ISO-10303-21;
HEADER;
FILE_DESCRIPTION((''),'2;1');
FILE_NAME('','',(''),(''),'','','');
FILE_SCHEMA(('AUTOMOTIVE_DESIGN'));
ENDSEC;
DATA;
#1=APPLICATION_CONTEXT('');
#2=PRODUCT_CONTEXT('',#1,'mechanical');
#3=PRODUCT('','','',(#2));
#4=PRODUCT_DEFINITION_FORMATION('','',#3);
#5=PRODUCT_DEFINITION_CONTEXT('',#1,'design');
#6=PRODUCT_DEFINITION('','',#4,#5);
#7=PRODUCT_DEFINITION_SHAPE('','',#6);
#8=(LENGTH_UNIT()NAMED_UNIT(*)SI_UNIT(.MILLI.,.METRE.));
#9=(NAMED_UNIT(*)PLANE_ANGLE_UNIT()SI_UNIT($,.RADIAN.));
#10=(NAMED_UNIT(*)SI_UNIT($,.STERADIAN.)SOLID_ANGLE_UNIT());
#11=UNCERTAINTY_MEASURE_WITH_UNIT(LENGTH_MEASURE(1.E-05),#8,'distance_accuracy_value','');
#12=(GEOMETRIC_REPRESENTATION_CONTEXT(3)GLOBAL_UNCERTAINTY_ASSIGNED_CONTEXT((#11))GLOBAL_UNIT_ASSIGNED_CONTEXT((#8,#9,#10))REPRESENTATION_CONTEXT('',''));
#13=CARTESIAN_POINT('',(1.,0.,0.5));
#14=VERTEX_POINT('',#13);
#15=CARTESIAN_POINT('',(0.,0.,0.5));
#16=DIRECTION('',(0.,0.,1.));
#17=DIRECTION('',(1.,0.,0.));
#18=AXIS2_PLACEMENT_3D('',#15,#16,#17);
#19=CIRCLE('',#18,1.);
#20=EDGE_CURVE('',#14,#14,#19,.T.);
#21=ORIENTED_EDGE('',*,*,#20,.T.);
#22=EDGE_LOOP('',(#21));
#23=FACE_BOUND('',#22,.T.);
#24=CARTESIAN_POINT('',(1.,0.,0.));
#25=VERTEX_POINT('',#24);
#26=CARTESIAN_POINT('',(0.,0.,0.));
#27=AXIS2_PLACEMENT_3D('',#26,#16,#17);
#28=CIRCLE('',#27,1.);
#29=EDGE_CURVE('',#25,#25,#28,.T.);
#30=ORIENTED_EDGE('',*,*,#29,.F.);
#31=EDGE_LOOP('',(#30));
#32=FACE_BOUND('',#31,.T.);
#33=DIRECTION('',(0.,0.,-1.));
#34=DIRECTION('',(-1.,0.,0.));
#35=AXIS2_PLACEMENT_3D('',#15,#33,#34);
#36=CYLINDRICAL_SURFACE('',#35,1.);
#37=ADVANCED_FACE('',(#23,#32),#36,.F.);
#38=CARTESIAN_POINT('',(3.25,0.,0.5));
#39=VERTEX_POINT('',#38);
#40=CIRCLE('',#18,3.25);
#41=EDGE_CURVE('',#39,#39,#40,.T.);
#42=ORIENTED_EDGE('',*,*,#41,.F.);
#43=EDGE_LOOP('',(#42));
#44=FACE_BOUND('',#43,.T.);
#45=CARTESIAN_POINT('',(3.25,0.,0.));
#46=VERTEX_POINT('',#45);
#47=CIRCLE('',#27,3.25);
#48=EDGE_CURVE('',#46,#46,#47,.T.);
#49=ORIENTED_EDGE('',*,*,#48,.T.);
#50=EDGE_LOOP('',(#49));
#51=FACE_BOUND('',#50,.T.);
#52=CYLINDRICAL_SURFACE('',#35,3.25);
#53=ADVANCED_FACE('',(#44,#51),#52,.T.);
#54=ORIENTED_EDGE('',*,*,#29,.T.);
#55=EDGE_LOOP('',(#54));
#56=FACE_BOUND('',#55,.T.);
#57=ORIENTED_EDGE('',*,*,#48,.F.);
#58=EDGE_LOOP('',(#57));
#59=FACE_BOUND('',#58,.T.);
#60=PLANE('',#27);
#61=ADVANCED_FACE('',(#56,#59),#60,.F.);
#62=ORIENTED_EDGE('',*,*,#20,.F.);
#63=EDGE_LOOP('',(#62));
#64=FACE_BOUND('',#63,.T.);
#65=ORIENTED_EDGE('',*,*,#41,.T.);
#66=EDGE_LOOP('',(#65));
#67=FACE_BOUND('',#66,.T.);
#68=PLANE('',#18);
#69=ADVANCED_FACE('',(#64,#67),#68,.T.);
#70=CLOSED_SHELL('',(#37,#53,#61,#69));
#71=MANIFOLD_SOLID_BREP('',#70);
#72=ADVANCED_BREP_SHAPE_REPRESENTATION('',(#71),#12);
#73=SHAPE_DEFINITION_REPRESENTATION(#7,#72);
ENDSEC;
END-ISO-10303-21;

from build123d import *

# Parameters (mm, degrees)
SKETCH_1_R      = 3.25
SKETCH_1_R_2    = 1
EXTRUDE_1_DEPTH = 0.5


with BuildPart() as part:
    # 草图1 → 凸台-拉伸1 (new body)
    with BuildSketch(Plane.XY):
        Circle(SKETCH_1_R)
        Circle(SKETCH_1_R_2, mode=Mode.SUBTRACT)
    extrude(amount=EXTRUDE_1_DEPTH)


solid = part.part
